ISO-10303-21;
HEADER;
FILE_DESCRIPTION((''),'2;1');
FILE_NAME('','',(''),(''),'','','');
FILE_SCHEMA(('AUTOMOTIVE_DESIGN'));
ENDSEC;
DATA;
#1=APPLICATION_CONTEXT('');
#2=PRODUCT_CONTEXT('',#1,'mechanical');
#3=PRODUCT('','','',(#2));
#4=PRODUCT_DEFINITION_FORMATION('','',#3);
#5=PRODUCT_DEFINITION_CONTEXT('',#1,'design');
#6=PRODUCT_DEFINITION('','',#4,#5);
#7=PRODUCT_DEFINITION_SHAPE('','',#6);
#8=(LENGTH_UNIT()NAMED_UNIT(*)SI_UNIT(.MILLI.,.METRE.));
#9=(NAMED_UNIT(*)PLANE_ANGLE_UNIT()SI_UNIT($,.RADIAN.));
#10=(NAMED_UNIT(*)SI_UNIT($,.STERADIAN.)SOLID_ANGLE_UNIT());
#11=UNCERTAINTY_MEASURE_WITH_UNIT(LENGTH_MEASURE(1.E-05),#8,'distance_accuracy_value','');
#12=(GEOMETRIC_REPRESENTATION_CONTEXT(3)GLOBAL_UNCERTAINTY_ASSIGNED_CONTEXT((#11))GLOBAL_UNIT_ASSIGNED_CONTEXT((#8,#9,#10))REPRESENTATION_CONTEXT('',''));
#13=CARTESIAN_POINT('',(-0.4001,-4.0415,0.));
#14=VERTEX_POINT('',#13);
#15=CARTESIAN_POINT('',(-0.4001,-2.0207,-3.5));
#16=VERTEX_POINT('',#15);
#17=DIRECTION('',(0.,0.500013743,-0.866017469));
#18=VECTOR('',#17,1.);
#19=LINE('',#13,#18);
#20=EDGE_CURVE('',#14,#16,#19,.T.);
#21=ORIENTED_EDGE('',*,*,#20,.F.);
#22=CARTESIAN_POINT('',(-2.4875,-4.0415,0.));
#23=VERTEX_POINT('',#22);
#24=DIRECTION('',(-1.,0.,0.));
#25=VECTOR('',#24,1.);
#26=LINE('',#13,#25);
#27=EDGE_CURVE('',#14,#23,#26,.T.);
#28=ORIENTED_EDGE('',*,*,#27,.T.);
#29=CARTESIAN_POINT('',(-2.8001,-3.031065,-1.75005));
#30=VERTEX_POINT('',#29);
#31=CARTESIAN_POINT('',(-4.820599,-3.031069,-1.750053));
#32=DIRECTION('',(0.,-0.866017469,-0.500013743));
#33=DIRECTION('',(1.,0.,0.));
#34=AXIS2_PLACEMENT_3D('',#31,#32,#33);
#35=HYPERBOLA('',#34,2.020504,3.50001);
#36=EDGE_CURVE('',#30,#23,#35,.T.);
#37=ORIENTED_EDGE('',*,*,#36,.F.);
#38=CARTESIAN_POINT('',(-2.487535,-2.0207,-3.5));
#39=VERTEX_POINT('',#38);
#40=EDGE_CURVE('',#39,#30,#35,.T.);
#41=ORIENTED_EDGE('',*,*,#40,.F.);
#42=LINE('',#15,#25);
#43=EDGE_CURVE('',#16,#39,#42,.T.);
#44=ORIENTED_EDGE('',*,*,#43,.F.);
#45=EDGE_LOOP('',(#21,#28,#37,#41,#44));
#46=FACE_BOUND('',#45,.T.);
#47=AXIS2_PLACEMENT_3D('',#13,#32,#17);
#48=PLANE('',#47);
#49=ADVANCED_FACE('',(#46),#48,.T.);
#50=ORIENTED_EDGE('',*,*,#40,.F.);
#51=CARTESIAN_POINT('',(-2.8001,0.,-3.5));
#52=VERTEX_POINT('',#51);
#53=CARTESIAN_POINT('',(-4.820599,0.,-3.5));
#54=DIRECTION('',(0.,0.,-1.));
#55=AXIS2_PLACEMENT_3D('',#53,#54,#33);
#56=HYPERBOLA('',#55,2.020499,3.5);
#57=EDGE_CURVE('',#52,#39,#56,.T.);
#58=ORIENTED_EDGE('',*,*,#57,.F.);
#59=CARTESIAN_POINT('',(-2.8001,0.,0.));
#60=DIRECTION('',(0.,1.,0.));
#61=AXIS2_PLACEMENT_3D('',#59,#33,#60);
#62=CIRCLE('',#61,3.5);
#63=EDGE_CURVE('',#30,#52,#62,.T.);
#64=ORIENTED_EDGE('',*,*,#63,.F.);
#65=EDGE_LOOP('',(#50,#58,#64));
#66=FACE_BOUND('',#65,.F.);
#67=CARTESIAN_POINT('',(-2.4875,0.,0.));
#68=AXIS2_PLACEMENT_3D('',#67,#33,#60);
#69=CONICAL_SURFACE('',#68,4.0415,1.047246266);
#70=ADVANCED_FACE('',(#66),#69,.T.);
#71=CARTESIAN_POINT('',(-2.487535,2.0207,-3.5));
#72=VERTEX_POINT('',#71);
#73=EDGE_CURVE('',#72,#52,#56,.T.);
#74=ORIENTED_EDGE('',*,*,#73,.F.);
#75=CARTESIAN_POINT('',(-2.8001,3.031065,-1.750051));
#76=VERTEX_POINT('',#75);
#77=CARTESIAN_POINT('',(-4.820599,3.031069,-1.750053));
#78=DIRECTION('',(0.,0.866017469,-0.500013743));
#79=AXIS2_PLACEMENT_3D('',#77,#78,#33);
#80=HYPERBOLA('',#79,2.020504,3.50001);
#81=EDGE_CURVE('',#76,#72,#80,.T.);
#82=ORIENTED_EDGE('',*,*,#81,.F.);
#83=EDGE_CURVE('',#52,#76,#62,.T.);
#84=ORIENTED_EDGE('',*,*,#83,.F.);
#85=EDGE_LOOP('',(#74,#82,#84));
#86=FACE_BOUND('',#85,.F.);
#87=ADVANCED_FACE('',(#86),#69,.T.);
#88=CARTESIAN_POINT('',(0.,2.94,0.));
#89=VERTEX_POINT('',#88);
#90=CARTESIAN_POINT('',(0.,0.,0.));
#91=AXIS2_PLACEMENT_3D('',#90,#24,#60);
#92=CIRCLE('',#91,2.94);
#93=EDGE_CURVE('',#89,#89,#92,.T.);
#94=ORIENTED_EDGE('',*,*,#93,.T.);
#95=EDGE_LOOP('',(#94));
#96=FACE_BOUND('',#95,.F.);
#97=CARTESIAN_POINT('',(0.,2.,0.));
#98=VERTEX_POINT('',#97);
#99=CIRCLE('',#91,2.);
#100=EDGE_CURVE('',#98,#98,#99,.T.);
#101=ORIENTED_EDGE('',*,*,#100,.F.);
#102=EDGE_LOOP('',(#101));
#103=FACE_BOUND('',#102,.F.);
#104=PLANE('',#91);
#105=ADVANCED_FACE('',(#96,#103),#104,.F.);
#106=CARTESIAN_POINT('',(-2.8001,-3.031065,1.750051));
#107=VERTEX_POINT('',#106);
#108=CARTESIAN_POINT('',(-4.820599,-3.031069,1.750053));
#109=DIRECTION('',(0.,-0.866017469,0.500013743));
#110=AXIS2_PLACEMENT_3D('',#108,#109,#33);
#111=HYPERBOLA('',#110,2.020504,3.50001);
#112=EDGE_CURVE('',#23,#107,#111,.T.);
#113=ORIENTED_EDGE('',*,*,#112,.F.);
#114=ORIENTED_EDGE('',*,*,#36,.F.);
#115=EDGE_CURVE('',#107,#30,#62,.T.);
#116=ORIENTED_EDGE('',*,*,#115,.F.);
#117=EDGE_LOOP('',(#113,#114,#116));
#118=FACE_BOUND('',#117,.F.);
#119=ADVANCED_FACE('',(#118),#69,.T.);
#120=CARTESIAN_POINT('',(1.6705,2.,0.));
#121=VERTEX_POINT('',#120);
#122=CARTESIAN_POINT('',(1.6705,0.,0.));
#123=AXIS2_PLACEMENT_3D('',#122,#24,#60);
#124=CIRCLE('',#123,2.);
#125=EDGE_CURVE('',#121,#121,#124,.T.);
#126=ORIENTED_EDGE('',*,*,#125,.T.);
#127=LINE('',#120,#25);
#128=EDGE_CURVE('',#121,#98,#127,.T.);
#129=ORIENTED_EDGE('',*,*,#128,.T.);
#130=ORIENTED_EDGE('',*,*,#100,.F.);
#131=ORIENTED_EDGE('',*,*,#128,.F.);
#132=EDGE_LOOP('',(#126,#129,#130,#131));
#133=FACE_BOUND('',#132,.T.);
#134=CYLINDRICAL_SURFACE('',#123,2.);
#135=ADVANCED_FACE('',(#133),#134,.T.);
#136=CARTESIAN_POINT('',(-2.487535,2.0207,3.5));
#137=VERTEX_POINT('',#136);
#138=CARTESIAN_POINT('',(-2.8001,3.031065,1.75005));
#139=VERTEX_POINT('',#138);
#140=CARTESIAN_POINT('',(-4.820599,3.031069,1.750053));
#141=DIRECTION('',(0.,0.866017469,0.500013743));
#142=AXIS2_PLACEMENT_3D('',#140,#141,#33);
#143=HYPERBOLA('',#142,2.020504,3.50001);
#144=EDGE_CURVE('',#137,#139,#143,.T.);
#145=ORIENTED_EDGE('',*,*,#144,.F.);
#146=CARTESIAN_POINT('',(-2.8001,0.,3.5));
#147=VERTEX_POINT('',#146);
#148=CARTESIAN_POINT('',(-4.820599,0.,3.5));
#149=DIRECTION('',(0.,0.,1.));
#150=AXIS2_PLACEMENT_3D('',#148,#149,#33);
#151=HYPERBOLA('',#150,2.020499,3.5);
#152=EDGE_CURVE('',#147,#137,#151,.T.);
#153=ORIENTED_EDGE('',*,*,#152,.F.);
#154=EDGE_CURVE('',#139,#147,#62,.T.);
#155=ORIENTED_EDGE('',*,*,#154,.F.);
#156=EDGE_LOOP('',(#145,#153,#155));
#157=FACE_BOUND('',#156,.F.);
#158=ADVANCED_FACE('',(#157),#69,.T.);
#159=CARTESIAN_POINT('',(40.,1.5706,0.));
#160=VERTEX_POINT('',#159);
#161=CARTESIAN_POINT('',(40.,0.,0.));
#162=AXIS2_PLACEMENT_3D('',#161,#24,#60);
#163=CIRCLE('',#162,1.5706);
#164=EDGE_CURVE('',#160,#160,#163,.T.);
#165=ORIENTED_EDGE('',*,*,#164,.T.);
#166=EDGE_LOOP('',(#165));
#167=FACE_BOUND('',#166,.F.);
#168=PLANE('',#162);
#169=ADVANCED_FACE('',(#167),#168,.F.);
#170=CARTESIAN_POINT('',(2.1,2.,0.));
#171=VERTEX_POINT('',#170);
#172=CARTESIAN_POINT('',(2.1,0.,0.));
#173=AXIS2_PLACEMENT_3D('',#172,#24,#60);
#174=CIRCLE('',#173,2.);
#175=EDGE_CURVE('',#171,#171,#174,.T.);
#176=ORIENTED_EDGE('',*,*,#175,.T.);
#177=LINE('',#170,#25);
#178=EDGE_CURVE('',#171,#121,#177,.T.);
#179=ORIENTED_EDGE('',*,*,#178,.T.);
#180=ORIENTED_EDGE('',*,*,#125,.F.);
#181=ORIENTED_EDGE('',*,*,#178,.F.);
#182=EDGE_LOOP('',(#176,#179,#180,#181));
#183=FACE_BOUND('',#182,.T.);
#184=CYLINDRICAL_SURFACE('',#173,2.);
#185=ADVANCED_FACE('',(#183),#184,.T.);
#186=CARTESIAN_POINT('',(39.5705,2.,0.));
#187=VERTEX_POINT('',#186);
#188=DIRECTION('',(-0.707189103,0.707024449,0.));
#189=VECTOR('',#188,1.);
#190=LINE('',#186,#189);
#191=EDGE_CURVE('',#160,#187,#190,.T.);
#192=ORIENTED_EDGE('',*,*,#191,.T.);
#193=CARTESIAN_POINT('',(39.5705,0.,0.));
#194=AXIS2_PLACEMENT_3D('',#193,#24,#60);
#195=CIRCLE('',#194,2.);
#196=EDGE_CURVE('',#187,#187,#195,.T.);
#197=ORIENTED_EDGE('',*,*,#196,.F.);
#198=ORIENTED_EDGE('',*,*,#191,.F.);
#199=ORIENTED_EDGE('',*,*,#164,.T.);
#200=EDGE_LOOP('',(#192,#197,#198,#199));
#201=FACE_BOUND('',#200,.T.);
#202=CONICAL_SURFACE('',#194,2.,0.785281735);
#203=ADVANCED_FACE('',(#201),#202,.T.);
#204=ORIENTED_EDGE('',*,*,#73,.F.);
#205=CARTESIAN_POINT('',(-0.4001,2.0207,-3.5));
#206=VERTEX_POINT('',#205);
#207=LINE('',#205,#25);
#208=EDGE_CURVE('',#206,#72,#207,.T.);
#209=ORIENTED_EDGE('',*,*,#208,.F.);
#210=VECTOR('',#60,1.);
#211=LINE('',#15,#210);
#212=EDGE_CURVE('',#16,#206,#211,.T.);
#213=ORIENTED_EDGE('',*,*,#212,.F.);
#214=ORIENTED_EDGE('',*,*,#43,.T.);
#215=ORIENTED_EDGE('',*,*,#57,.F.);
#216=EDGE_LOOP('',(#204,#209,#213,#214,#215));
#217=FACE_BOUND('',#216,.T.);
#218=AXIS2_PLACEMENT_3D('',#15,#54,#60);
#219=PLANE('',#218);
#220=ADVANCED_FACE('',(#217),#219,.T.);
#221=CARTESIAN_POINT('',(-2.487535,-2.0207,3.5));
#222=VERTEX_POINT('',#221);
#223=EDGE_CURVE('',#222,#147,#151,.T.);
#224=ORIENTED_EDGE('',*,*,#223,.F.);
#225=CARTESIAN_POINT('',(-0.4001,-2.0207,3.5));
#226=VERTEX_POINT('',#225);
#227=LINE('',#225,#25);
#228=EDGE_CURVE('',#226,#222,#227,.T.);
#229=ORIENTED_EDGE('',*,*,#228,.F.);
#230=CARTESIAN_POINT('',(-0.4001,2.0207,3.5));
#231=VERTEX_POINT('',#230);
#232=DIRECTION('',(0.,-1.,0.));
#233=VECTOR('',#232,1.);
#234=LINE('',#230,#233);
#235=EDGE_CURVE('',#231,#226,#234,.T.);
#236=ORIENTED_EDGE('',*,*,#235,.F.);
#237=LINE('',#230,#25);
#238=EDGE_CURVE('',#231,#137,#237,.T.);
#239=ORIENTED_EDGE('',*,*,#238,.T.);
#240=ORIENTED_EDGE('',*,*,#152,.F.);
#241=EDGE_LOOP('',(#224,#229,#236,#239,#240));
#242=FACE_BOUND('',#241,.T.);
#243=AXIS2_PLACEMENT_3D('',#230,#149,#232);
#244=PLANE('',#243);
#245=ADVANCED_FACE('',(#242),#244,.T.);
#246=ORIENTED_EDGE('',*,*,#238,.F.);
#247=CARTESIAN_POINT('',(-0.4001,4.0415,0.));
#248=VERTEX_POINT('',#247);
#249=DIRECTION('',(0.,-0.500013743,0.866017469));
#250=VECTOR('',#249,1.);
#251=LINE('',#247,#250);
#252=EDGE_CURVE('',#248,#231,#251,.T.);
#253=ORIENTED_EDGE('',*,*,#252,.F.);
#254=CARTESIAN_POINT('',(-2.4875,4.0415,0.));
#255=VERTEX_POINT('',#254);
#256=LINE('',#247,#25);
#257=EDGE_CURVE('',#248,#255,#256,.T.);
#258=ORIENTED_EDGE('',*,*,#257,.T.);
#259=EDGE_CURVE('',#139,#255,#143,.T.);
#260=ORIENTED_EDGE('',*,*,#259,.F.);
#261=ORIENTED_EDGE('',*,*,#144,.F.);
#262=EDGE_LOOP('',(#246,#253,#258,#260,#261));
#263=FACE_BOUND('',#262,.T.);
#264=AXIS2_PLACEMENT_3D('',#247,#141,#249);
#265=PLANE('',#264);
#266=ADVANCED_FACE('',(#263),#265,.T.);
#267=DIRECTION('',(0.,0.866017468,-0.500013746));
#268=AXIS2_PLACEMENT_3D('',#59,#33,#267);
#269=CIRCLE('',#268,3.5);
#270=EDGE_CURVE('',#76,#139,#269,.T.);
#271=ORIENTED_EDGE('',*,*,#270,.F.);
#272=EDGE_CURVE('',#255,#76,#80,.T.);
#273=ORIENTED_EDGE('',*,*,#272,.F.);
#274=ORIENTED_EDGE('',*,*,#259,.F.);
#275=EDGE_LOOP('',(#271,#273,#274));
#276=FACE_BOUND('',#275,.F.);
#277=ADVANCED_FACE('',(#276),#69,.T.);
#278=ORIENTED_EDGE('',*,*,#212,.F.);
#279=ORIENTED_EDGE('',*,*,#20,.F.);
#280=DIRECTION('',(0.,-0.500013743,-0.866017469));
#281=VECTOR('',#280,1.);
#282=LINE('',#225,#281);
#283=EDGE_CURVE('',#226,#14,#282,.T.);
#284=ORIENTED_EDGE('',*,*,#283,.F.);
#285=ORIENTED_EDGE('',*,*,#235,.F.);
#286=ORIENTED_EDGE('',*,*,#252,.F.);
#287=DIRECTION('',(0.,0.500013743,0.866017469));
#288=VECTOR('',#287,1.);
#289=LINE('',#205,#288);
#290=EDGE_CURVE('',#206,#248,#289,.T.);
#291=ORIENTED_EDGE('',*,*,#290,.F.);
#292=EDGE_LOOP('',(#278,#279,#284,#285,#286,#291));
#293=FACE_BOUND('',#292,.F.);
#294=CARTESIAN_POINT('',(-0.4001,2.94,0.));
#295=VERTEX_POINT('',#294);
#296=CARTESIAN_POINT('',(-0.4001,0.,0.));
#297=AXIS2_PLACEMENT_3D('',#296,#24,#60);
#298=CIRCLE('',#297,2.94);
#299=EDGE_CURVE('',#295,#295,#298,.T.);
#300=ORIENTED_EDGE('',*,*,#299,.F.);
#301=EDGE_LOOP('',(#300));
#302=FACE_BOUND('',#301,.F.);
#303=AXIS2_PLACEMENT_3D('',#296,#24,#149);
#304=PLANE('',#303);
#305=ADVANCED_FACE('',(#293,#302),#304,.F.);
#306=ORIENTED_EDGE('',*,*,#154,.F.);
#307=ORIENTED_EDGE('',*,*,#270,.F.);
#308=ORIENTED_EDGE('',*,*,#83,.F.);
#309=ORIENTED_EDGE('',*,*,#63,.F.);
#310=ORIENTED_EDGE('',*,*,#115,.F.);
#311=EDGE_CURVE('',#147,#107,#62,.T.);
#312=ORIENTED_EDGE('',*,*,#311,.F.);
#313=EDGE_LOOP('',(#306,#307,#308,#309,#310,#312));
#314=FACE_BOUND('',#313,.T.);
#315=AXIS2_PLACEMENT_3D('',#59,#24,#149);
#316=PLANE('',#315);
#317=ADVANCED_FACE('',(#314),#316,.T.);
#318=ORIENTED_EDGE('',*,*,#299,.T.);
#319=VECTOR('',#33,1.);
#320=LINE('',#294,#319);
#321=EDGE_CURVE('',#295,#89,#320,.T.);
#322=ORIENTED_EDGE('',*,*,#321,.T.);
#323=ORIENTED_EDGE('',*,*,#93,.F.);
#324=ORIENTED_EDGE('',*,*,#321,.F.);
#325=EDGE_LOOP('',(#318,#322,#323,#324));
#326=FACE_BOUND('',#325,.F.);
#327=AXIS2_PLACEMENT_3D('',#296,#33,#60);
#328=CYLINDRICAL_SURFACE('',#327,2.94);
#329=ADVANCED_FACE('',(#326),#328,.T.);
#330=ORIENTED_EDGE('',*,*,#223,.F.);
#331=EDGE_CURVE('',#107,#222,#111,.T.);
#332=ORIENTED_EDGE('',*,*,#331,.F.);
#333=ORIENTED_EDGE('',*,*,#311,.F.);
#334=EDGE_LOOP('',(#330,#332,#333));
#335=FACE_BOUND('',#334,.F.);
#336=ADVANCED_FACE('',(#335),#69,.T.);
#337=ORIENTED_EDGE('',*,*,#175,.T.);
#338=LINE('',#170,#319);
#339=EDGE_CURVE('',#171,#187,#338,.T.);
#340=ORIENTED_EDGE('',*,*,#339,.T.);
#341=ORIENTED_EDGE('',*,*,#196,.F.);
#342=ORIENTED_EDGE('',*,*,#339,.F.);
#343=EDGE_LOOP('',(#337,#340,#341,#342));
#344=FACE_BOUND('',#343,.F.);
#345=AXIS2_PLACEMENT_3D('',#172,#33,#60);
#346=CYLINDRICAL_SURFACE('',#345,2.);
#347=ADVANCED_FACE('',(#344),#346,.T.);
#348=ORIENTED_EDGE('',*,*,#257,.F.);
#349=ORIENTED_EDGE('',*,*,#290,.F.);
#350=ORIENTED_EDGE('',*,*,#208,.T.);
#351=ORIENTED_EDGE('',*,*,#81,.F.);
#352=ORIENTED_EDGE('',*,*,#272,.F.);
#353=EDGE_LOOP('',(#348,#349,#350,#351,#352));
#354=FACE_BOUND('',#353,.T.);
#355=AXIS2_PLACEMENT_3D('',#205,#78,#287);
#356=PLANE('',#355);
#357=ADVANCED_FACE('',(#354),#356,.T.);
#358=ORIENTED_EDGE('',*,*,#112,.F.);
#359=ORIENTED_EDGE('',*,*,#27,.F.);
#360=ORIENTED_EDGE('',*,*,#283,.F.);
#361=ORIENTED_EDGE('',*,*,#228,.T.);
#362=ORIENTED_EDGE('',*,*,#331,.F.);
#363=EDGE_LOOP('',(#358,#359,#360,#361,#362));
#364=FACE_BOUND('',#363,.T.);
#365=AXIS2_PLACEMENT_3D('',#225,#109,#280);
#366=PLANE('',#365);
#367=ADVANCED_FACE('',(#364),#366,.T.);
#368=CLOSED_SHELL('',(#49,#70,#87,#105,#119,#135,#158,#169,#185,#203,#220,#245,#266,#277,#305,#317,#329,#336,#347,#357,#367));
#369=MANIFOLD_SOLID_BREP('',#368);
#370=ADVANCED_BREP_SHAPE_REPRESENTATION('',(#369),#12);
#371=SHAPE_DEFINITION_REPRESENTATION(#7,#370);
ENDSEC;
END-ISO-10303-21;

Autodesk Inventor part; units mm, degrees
ref_plane "YZ Plane" through (0, 0, 0) normal (1, 0, 0) x (0, 1, 0)
ref_plane "XZ Plane" through (0, 0, 0) normal (0, 1, 0) x (-1, 0, 0)
sketch "Sketch1" plane through (0, 0, 0) normal (0, 0, 1) x (1, 0, 0)
  line L0 (0, 2.94) -> (0, 2)
  line L1 (2.1, 2) -> (40, 2)
  line L2 (40, 2) -> (40, 0)
  line L3 (40, 0) -> (-0.4001, 0)
  line L4 (-8.4801, 0) -> (48.08, 0) projected
  line L5 (-0.4001, 0) -> (-0.4001, 2.94)
  line L6 (-0.4001, 2.94) -> (0, 2.94)
  line L7 (2.1, 2) -> (1.6705, 2)
  line L8 (1.6705, 2) -> (0, 2)
  line L9 (0, -0.588) -> (0, 3.528) projected
  dimension "d0" = 40
  dimension "d1" = 37.9
  dimension "d2" = 4
  dimension "d9" = 0.4001
  dimension "d10" = 5.88
  dimension "d13" = 0.4295
  dimension "d14" = 4
revolve "Body" add sketch "Sketch1" angle 360 about axis through (40, 0, 0) along (-1, 0, 0)
sketch "Sketch2" plane through (-0.4001, 0, 0) normal (-1, 0, 0) x (0, 0, 1)
  line L0 (0, 4.0415) -> (3.5, 2.0207)
  line L1 (3.5, 2.0207) -> (3.5, -2.0207)
  line L2 (3.5, -2.0207) -> (0, -4.0415)
  line L3 (0, -4.0415) -> (-3.5, -2.0207)
  line L4 (-3.5, -2.0207) -> (-3.5, 2.0207)
  line L5 (-3.5, 2.0207) -> (0, 4.0415)
  point P0 (0, 0)
  point P1 (0, 0)
  dimension "d11" = 7
extrude "Head" add sketch "Sketch2" along normal blind 2.4
sketch "Sketch4" plane through (0, 0, 0) normal (0, 0, 1) x (1, 0, 0)
  line L0 (-2.8001, 3.5) -> (-2.8001, 4.0415)
  line L1 (-2.8001, 4.0415) -> (-2.4875, 4.0415)
  line L2 (-2.4875, 4.0415) -> (-2.8001, 3.5)
  line L3 (-3.2801, 0) -> (0.0799, 0) projected
  line L4 (-0.4001, 4.0415) -> (-2.8001, 4.0415) projected
  line L5 (-2.8001, 2.0207) -> (-2.8001, 4.0415) projected
  dimension "d5" = 30
  dimension "d19" = 7
revolve "Chamfer1" cut sketch "Sketch4" angle 360 about axis through (-10, 0, 0) along (1, 0, 0)
thread "Thread" size "M4x0.7" class "6g" standard "ISO Metric profile" length 37.9
chamfer "Chamfer2" distance 0.4294 distance2 0.4295 1 edges at (40, -2, 0) measured on face at (40, -0.499, -0.4421)
ref_plane "Work Plane1" through (1.525, 0, 0) normal (0, 0, 1) x (1, 0, 0)
equation "\"d0\" = NLG"
equation "\"d1\" = GEL"
equation "\"d2\" = GD"
equation "\"d10\" = SD2"
equation "\"d14\" = BDM"
equation "\"d11\" = SW"
equation "\"d3\" = KOH - SD"
equation "\"d5\" = ANG1"
equation "\"d19\" = SW0"
equation "\"d15\" = GEL"
equation "\"d6\" = -0.5 * SPD + 0.5 * GD"
equation "\"NLG\" = 40"
equation "\"GD\" = NND"
equation "\"BDM\" = NND"
equation "\"KOH\" = 2.8"
equation "\"GEL\" = 37.9"
equation "\"SW\" = 7"
equation "\"SW0\" = SW"
equation "\"SPD\" = NND - 1.2269 * PTC"
equation "\"SD2\" = 5.88"
equation "\"SD\" = 0.4"
equation "\"ANG1\" = 30deg"
equation "\"GAL\" = 0.61345 * PTC"
equation "\"GUL\" = 0.61345 * PTC"
equation "\"RR\" = 0.2"
equation "\"GD1\" = THREADDIA - 1.2269 * PTC"
equation "\"THREADDIA\" = 4"
equation "\"SDH\" = SD2"
equation "\"SDHG\" = 2.1"
equation "\"TOA\" = 30deg"
equation "\"PTC\" = 0.7"
equation "\"NND\" = 4"
equation "\"E0\" = 8.085"
properties part number "ISO 4017 - M4 x 40(3)" material "Stainless Steel, 440C"
